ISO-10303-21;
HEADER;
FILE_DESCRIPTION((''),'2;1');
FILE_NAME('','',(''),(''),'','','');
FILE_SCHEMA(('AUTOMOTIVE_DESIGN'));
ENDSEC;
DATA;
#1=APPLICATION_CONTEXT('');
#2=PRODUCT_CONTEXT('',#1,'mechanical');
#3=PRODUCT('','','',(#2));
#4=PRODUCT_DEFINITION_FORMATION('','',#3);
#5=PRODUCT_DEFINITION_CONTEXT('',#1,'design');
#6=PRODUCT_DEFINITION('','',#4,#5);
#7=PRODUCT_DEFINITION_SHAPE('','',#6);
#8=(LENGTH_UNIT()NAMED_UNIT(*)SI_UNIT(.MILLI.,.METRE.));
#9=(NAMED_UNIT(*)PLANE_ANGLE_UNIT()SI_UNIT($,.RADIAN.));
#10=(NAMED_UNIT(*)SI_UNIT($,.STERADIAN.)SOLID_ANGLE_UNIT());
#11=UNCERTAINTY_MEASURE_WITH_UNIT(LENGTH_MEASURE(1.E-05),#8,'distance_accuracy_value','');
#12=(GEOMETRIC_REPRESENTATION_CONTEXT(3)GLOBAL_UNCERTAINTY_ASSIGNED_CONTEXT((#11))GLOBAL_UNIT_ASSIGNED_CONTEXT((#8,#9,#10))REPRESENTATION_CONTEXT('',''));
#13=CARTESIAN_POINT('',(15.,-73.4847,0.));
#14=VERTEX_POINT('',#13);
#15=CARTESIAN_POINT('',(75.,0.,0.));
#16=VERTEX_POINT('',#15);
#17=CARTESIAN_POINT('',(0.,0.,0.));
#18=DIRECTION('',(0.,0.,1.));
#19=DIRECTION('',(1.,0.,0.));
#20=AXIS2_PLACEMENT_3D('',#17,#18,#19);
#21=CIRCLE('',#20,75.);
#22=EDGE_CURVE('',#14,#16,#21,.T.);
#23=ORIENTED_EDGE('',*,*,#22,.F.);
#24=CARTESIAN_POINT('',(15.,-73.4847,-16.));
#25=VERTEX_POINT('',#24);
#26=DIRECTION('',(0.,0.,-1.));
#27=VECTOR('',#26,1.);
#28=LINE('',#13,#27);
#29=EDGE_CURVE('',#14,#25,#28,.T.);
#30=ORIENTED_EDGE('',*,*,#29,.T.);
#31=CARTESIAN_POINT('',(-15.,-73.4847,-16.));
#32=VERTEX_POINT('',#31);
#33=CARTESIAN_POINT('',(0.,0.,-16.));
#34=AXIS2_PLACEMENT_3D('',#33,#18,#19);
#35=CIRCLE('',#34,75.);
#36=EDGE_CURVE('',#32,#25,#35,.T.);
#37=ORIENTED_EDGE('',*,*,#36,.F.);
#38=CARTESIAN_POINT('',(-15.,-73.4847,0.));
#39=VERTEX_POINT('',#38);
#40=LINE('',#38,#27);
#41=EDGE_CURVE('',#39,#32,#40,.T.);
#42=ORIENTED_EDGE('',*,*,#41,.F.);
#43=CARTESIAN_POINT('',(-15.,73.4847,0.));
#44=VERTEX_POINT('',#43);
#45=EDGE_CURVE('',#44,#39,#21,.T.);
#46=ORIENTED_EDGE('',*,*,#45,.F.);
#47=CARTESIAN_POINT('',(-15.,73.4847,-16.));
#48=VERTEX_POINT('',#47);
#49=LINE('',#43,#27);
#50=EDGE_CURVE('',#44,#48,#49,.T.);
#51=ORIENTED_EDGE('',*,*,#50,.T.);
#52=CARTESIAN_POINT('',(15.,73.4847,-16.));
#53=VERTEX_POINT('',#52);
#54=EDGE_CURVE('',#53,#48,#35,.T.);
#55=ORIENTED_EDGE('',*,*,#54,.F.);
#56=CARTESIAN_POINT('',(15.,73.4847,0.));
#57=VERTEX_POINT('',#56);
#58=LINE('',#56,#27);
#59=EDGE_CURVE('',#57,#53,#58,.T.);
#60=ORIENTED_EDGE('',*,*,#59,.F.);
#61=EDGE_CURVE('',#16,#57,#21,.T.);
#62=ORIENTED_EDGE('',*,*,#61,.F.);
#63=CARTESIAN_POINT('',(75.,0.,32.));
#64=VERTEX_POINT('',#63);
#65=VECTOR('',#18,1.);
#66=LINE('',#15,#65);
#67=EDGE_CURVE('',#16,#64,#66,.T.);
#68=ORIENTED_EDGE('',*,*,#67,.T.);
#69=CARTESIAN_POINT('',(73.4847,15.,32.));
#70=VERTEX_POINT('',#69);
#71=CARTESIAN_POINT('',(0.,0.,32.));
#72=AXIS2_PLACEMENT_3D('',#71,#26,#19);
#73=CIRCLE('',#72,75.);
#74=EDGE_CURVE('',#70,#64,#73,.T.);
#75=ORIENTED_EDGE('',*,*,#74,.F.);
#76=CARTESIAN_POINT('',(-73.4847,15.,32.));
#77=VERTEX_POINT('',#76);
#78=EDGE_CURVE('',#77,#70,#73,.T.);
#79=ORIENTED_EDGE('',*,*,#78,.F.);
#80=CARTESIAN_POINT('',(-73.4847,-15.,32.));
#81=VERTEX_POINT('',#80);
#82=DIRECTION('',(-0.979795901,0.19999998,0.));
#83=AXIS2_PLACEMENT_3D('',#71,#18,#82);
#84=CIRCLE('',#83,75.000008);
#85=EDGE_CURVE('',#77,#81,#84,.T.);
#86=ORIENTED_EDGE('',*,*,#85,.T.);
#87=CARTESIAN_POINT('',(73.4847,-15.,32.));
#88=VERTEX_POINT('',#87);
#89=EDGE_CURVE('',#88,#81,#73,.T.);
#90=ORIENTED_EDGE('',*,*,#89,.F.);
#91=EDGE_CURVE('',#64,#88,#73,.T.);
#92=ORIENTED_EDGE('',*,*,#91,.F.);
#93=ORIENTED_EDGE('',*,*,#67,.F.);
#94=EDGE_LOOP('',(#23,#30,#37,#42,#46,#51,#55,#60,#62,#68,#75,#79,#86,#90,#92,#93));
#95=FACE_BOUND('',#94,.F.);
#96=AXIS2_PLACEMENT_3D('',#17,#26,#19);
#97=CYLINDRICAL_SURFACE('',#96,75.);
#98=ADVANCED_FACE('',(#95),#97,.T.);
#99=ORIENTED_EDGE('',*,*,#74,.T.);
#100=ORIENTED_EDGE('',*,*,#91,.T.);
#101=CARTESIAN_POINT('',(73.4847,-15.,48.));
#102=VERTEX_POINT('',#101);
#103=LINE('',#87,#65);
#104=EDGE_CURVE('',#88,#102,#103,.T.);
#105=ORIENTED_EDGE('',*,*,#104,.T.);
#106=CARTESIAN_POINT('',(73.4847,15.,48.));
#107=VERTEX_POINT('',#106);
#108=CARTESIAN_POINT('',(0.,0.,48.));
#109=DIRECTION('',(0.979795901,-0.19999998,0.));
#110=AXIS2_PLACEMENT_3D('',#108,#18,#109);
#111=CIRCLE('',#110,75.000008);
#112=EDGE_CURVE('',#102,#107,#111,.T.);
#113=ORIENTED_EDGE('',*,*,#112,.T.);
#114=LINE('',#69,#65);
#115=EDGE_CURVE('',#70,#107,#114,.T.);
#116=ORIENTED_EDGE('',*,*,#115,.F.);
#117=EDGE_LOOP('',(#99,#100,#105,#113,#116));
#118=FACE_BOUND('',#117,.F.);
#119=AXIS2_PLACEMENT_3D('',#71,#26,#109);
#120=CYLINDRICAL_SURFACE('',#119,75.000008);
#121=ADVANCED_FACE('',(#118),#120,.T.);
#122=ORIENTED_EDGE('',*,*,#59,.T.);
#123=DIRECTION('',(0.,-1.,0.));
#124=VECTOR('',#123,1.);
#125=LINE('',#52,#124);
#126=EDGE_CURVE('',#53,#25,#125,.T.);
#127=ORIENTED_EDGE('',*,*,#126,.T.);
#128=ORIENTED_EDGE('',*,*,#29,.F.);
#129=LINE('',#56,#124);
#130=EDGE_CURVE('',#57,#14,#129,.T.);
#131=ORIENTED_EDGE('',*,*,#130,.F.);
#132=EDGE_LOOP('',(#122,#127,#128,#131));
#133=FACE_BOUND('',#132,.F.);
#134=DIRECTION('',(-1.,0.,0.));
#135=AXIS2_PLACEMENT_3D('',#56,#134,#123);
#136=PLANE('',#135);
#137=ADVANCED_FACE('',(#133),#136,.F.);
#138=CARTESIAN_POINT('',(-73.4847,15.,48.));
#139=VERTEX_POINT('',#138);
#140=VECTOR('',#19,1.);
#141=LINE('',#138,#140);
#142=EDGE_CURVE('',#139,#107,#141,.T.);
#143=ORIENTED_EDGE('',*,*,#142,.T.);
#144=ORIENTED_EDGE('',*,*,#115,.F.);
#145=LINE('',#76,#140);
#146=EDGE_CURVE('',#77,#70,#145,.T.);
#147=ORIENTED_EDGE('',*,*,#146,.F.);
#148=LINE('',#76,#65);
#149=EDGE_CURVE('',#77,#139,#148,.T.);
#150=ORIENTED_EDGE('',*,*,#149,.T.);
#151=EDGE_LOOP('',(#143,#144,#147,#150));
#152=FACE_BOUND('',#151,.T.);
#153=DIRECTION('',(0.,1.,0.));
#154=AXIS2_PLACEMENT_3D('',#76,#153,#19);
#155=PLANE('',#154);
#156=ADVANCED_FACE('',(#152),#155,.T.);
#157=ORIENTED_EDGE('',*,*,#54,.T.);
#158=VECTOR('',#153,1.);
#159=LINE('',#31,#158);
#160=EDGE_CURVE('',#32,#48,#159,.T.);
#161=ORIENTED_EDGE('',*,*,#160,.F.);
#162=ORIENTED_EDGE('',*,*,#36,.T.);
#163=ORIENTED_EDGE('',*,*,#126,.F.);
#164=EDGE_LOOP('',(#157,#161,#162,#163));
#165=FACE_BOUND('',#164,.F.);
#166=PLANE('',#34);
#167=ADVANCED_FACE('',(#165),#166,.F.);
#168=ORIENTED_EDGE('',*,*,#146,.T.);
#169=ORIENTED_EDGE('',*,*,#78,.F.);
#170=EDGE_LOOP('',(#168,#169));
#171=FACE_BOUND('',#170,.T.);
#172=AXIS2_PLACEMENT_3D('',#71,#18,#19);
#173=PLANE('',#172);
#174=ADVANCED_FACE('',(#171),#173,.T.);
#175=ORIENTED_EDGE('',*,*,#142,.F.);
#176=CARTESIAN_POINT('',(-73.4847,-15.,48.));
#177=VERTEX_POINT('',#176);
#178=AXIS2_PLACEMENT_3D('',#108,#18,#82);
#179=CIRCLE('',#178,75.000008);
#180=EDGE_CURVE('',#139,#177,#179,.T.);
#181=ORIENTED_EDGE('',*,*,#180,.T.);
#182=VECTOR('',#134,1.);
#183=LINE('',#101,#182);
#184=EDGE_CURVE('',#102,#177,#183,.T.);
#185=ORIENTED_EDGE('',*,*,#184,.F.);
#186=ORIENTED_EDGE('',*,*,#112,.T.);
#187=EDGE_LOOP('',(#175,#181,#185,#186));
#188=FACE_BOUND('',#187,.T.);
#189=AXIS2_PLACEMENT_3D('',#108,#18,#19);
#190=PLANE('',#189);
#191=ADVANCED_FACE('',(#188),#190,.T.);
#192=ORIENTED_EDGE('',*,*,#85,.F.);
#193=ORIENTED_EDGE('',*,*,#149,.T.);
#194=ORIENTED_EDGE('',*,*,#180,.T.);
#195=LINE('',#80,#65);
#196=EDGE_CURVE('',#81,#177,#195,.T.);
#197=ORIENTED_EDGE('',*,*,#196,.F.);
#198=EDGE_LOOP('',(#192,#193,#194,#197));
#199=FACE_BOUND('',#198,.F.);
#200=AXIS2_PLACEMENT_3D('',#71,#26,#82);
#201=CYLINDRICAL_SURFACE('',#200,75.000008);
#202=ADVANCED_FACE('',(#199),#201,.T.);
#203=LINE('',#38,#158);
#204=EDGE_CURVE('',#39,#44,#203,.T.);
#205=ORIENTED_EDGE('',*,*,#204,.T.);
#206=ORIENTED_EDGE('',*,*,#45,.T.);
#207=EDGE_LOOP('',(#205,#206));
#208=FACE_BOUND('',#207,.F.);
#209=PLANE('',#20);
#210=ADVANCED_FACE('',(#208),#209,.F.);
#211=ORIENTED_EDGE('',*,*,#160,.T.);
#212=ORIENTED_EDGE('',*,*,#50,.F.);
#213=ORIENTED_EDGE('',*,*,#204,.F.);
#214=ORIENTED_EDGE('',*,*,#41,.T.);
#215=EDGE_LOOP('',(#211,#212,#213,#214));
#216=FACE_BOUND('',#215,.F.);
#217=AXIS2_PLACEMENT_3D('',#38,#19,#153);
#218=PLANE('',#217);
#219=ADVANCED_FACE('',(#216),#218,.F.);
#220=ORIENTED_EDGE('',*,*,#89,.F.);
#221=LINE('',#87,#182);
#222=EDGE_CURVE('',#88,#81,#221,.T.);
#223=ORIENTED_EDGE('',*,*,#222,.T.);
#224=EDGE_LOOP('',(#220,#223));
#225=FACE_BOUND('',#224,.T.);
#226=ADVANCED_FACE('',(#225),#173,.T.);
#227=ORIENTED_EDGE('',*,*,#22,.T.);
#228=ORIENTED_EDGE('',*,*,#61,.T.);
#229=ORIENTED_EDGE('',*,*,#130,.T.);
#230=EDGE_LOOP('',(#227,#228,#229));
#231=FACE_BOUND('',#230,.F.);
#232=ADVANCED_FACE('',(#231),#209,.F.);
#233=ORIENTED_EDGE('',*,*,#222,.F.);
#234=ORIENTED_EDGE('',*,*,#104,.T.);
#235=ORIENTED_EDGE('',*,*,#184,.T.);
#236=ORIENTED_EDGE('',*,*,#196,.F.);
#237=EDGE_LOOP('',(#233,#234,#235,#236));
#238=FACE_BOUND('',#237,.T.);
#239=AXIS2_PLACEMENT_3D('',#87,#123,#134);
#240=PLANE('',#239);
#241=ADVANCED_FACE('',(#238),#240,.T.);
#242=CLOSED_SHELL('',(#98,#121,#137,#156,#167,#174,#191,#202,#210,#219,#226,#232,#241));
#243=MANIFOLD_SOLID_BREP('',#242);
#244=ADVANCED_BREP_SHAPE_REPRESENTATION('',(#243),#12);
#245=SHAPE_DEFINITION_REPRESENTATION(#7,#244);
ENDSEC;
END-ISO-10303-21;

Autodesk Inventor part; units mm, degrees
ref_plane "YZ Plane" through (0, 0, 0) normal (1, 0, 0) x (0, 1, 0)
ref_plane "XZ Plane" through (0, 0, 0) normal (0, 1, 0) x (-1, 0, 0)
ref_plane "XY Plane" through (0, 0, 0) normal (0, 0, 1) x (1, 0, 0)
sketch "Sketch1" plane through (0, 0, 0) normal (0, 0, 1) x (1, 0, 0)
  circle A0 centre (0, 0) radius 75
  line L0 (15, 73.4847) -> (15, -73.4847)
  line L1 (-15, -73.4847) -> (-15, 73.4847)
  dimension "d0" = 150
  dimension "d2" = 15
extrude "Extrusion1" add sketch "Sketch1" against normal blind 16 contours L0 A0 L1
sketch "Sketch2" plane through (0, 0, 0) normal (0, 0, 1) x (1, 0, 0)
  circle A0 centre (0, 0) radius 75
extrude "Extrusion2" add sketch "Sketch2" along normal blind 32
sketch "Sketch3" plane through (0, 0, 32) normal (0, 0, 1) x (1, 0, 0)
  line L0 (-75, 15) -> (75, 15)
  line L1 (75, 15) -> (75, -15)
  line L2 (75, -15) -> (-75, -15)
  line L3 (-75, -15) -> (-75, 15)
  point P0 (0, 0)
  dimension "d7" = 30
  dimension "d8" = 15
  dimension "d9" = 75
  dimension "d10" = 75
extrude "Extrusion3" cut sketch "Sketch3" along normal blind 32
sketch "Sketch4" plane through (0, 0, 32) normal (0, 0, 1) x (1, 0, 0)
  line L0 (-73.4847, 15) -> (73.4847, 15)
  line L1 (73.4847, -15) -> (-73.4847, -15)
  arc A0 (-73.4847, 15) -> (-73.4847, -15) centre (0, 0) ccw
  arc A1 (73.4847, -15) -> (73.4847, 15) centre (0, 0) ccw
extrude "Extrusion4" add sketch "Sketch4" along normal blind 16
equation "\"d2\" = 0.5 * d1"
equation "\"d8\" = 0.5 * d7"
equation "\"d1\" = 30"
